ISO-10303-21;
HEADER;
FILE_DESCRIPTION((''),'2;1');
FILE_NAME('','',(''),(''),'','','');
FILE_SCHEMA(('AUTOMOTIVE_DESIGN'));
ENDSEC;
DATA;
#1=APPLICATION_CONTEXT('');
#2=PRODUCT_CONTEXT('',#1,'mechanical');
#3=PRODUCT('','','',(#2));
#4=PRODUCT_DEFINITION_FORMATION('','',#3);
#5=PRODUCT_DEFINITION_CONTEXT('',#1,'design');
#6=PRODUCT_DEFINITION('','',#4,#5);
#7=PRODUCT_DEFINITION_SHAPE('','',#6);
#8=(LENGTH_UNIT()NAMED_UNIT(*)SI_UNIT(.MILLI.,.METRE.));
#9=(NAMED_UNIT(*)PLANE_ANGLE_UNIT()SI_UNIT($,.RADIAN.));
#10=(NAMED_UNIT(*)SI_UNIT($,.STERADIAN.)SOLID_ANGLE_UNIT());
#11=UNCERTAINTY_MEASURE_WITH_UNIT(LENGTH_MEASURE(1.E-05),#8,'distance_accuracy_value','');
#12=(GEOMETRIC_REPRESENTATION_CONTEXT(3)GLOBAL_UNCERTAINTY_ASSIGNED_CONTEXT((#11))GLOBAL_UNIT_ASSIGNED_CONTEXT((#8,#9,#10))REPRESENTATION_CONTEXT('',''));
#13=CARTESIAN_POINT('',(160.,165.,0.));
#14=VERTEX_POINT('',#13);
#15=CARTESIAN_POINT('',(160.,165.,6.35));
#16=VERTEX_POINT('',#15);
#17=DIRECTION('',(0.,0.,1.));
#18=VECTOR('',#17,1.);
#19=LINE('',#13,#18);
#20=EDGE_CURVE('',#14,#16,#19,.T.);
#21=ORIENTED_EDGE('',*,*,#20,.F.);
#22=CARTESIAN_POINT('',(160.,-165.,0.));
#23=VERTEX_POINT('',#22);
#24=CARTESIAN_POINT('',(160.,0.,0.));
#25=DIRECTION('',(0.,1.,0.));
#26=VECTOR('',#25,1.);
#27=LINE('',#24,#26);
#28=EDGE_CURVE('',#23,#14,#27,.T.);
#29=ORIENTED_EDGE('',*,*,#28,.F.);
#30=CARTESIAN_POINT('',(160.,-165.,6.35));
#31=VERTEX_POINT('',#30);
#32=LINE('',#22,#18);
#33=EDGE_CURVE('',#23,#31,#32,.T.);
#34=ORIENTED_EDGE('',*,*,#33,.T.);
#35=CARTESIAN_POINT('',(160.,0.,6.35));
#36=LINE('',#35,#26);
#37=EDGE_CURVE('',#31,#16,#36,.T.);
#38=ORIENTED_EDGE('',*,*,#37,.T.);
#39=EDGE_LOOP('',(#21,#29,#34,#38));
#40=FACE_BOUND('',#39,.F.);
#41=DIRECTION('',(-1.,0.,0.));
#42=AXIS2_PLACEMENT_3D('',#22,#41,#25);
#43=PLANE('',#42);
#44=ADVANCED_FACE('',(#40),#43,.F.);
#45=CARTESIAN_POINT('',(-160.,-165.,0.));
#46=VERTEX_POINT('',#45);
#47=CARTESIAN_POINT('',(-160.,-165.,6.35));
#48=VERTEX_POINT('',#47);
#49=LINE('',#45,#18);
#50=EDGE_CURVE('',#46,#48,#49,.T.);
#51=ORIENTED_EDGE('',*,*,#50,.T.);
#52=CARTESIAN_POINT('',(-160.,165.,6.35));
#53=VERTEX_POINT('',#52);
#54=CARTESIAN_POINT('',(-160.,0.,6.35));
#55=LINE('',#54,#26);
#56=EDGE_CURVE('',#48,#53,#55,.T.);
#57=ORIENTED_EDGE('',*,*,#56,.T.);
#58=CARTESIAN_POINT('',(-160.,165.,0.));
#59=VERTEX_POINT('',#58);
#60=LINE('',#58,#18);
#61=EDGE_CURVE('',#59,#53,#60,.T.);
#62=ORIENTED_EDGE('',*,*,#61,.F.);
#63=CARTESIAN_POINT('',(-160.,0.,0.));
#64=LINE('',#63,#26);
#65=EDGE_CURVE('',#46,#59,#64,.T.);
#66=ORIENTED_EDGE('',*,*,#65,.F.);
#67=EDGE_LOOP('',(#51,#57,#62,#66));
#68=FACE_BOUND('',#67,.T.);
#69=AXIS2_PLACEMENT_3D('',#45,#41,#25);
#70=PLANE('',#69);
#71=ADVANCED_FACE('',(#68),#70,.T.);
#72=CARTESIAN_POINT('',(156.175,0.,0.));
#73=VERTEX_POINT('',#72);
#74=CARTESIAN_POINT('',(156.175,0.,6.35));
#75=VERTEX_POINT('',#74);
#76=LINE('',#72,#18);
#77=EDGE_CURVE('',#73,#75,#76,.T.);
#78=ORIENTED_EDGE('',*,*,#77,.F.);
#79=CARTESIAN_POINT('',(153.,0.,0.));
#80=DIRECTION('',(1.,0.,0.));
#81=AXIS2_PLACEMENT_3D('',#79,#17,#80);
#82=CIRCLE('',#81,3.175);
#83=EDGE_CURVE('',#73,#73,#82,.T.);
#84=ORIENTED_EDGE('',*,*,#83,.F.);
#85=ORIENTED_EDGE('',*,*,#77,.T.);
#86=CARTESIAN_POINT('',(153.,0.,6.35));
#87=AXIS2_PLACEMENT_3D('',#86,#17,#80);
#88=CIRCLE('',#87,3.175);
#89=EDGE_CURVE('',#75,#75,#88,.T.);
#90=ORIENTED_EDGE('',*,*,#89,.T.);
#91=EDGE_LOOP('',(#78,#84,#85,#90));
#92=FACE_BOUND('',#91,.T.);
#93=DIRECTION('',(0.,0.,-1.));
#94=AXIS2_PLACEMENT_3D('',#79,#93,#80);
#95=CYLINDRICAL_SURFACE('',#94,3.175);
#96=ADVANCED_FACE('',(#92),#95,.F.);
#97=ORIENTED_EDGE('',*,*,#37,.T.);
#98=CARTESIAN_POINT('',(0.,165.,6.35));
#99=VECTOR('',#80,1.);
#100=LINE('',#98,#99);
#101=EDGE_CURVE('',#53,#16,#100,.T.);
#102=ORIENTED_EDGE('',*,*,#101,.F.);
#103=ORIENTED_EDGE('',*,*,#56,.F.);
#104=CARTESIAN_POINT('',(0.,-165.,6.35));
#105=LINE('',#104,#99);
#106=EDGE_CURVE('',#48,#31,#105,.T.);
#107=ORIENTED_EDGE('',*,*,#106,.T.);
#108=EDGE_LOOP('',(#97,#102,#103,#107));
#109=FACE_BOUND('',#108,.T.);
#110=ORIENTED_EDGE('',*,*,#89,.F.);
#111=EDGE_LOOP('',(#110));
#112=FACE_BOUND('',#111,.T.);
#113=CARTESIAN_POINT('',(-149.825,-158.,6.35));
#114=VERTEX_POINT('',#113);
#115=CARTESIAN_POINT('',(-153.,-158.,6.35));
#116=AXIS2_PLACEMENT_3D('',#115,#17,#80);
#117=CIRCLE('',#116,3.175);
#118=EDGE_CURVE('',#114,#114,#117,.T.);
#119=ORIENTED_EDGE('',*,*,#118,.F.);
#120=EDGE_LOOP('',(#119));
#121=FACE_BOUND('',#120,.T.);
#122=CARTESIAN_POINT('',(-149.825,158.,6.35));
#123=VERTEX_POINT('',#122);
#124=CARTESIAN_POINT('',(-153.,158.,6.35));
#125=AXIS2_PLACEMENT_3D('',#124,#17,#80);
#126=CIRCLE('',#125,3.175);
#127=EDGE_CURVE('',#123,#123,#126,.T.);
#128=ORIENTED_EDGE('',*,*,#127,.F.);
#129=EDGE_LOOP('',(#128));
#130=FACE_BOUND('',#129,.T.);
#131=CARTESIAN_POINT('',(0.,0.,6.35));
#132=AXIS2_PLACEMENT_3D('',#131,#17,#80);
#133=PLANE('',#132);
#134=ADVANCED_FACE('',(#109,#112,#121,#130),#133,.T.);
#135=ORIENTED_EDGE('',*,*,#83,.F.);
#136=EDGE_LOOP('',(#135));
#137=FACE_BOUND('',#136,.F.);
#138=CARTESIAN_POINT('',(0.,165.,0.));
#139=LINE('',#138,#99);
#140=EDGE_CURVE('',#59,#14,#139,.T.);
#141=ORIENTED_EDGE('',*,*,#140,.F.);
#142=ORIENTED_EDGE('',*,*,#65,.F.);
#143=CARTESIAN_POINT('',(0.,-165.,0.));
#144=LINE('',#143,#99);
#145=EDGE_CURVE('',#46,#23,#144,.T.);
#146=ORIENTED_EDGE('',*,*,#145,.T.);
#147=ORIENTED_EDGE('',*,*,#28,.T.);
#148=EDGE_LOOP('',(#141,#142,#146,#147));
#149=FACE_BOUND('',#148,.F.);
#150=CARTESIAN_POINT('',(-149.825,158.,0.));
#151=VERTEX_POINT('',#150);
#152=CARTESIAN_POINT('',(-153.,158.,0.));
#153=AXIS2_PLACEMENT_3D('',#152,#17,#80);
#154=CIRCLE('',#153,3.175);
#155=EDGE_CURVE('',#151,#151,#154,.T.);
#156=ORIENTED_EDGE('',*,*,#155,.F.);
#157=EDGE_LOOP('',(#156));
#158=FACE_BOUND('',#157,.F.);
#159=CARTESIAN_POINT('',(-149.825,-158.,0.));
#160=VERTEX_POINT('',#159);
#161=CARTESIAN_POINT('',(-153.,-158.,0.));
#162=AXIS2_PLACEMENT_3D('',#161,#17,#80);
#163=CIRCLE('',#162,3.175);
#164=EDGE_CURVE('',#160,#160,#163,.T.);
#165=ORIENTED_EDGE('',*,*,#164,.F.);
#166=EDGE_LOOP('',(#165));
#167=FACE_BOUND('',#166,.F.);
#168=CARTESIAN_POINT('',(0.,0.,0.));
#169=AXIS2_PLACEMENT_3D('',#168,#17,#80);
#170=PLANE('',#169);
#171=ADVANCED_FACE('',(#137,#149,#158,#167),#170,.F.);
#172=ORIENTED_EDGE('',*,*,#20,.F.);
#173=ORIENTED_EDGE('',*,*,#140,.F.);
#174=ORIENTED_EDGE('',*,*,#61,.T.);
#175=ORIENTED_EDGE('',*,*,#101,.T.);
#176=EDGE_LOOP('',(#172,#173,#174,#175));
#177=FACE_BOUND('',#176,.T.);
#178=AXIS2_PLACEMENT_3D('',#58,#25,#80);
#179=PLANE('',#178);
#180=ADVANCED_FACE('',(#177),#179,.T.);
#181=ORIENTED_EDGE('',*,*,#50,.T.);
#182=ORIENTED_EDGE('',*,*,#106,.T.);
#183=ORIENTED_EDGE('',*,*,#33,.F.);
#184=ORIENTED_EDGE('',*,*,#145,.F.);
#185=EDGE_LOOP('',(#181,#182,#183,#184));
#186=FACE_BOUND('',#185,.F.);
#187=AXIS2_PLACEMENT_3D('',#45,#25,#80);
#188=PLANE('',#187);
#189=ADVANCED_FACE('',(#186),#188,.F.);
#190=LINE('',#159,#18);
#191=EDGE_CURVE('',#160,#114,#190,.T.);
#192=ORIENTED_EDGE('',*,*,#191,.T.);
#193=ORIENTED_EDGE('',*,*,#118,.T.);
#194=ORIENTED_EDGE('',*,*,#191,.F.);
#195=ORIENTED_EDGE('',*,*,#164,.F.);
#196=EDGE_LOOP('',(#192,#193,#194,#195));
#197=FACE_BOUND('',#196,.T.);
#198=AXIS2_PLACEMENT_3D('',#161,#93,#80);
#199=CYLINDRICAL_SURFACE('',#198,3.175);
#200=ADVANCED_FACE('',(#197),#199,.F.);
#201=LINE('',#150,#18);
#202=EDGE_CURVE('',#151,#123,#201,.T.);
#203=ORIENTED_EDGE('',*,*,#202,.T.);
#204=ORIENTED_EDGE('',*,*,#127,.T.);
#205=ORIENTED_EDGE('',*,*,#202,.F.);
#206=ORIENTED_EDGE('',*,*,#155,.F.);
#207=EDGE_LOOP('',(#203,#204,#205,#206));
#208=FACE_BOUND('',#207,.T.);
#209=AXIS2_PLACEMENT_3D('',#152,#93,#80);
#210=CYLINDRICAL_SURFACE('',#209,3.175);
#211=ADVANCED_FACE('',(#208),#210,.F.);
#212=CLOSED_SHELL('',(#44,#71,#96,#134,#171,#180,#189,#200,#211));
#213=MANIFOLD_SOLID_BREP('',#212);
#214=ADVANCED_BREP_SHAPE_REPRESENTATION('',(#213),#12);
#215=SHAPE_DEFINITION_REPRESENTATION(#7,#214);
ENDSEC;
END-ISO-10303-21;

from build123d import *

# Parameters (mm, degrees)
SKETCH013_W  = 320
SKETCH013_H  = 330
SKETCH013_R  = 3.175
PAD006_DEPTH = 6.35


with BuildPart() as part:
    # Sketch013 → Pad006 (new body)
    with BuildSketch(Plane.XY):
        Rectangle(SKETCH013_W, SKETCH013_H)
        with Locations((-153, 158)):
            Circle(SKETCH013_R, mode=Mode.SUBTRACT)
        with Locations((-153, -158)):
            Circle(SKETCH013_R, mode=Mode.SUBTRACT)
        with Locations((153, 0)):
            Circle(SKETCH013_R, mode=Mode.SUBTRACT)
    extrude(amount=PAD006_DEPTH)


solid = part.part
